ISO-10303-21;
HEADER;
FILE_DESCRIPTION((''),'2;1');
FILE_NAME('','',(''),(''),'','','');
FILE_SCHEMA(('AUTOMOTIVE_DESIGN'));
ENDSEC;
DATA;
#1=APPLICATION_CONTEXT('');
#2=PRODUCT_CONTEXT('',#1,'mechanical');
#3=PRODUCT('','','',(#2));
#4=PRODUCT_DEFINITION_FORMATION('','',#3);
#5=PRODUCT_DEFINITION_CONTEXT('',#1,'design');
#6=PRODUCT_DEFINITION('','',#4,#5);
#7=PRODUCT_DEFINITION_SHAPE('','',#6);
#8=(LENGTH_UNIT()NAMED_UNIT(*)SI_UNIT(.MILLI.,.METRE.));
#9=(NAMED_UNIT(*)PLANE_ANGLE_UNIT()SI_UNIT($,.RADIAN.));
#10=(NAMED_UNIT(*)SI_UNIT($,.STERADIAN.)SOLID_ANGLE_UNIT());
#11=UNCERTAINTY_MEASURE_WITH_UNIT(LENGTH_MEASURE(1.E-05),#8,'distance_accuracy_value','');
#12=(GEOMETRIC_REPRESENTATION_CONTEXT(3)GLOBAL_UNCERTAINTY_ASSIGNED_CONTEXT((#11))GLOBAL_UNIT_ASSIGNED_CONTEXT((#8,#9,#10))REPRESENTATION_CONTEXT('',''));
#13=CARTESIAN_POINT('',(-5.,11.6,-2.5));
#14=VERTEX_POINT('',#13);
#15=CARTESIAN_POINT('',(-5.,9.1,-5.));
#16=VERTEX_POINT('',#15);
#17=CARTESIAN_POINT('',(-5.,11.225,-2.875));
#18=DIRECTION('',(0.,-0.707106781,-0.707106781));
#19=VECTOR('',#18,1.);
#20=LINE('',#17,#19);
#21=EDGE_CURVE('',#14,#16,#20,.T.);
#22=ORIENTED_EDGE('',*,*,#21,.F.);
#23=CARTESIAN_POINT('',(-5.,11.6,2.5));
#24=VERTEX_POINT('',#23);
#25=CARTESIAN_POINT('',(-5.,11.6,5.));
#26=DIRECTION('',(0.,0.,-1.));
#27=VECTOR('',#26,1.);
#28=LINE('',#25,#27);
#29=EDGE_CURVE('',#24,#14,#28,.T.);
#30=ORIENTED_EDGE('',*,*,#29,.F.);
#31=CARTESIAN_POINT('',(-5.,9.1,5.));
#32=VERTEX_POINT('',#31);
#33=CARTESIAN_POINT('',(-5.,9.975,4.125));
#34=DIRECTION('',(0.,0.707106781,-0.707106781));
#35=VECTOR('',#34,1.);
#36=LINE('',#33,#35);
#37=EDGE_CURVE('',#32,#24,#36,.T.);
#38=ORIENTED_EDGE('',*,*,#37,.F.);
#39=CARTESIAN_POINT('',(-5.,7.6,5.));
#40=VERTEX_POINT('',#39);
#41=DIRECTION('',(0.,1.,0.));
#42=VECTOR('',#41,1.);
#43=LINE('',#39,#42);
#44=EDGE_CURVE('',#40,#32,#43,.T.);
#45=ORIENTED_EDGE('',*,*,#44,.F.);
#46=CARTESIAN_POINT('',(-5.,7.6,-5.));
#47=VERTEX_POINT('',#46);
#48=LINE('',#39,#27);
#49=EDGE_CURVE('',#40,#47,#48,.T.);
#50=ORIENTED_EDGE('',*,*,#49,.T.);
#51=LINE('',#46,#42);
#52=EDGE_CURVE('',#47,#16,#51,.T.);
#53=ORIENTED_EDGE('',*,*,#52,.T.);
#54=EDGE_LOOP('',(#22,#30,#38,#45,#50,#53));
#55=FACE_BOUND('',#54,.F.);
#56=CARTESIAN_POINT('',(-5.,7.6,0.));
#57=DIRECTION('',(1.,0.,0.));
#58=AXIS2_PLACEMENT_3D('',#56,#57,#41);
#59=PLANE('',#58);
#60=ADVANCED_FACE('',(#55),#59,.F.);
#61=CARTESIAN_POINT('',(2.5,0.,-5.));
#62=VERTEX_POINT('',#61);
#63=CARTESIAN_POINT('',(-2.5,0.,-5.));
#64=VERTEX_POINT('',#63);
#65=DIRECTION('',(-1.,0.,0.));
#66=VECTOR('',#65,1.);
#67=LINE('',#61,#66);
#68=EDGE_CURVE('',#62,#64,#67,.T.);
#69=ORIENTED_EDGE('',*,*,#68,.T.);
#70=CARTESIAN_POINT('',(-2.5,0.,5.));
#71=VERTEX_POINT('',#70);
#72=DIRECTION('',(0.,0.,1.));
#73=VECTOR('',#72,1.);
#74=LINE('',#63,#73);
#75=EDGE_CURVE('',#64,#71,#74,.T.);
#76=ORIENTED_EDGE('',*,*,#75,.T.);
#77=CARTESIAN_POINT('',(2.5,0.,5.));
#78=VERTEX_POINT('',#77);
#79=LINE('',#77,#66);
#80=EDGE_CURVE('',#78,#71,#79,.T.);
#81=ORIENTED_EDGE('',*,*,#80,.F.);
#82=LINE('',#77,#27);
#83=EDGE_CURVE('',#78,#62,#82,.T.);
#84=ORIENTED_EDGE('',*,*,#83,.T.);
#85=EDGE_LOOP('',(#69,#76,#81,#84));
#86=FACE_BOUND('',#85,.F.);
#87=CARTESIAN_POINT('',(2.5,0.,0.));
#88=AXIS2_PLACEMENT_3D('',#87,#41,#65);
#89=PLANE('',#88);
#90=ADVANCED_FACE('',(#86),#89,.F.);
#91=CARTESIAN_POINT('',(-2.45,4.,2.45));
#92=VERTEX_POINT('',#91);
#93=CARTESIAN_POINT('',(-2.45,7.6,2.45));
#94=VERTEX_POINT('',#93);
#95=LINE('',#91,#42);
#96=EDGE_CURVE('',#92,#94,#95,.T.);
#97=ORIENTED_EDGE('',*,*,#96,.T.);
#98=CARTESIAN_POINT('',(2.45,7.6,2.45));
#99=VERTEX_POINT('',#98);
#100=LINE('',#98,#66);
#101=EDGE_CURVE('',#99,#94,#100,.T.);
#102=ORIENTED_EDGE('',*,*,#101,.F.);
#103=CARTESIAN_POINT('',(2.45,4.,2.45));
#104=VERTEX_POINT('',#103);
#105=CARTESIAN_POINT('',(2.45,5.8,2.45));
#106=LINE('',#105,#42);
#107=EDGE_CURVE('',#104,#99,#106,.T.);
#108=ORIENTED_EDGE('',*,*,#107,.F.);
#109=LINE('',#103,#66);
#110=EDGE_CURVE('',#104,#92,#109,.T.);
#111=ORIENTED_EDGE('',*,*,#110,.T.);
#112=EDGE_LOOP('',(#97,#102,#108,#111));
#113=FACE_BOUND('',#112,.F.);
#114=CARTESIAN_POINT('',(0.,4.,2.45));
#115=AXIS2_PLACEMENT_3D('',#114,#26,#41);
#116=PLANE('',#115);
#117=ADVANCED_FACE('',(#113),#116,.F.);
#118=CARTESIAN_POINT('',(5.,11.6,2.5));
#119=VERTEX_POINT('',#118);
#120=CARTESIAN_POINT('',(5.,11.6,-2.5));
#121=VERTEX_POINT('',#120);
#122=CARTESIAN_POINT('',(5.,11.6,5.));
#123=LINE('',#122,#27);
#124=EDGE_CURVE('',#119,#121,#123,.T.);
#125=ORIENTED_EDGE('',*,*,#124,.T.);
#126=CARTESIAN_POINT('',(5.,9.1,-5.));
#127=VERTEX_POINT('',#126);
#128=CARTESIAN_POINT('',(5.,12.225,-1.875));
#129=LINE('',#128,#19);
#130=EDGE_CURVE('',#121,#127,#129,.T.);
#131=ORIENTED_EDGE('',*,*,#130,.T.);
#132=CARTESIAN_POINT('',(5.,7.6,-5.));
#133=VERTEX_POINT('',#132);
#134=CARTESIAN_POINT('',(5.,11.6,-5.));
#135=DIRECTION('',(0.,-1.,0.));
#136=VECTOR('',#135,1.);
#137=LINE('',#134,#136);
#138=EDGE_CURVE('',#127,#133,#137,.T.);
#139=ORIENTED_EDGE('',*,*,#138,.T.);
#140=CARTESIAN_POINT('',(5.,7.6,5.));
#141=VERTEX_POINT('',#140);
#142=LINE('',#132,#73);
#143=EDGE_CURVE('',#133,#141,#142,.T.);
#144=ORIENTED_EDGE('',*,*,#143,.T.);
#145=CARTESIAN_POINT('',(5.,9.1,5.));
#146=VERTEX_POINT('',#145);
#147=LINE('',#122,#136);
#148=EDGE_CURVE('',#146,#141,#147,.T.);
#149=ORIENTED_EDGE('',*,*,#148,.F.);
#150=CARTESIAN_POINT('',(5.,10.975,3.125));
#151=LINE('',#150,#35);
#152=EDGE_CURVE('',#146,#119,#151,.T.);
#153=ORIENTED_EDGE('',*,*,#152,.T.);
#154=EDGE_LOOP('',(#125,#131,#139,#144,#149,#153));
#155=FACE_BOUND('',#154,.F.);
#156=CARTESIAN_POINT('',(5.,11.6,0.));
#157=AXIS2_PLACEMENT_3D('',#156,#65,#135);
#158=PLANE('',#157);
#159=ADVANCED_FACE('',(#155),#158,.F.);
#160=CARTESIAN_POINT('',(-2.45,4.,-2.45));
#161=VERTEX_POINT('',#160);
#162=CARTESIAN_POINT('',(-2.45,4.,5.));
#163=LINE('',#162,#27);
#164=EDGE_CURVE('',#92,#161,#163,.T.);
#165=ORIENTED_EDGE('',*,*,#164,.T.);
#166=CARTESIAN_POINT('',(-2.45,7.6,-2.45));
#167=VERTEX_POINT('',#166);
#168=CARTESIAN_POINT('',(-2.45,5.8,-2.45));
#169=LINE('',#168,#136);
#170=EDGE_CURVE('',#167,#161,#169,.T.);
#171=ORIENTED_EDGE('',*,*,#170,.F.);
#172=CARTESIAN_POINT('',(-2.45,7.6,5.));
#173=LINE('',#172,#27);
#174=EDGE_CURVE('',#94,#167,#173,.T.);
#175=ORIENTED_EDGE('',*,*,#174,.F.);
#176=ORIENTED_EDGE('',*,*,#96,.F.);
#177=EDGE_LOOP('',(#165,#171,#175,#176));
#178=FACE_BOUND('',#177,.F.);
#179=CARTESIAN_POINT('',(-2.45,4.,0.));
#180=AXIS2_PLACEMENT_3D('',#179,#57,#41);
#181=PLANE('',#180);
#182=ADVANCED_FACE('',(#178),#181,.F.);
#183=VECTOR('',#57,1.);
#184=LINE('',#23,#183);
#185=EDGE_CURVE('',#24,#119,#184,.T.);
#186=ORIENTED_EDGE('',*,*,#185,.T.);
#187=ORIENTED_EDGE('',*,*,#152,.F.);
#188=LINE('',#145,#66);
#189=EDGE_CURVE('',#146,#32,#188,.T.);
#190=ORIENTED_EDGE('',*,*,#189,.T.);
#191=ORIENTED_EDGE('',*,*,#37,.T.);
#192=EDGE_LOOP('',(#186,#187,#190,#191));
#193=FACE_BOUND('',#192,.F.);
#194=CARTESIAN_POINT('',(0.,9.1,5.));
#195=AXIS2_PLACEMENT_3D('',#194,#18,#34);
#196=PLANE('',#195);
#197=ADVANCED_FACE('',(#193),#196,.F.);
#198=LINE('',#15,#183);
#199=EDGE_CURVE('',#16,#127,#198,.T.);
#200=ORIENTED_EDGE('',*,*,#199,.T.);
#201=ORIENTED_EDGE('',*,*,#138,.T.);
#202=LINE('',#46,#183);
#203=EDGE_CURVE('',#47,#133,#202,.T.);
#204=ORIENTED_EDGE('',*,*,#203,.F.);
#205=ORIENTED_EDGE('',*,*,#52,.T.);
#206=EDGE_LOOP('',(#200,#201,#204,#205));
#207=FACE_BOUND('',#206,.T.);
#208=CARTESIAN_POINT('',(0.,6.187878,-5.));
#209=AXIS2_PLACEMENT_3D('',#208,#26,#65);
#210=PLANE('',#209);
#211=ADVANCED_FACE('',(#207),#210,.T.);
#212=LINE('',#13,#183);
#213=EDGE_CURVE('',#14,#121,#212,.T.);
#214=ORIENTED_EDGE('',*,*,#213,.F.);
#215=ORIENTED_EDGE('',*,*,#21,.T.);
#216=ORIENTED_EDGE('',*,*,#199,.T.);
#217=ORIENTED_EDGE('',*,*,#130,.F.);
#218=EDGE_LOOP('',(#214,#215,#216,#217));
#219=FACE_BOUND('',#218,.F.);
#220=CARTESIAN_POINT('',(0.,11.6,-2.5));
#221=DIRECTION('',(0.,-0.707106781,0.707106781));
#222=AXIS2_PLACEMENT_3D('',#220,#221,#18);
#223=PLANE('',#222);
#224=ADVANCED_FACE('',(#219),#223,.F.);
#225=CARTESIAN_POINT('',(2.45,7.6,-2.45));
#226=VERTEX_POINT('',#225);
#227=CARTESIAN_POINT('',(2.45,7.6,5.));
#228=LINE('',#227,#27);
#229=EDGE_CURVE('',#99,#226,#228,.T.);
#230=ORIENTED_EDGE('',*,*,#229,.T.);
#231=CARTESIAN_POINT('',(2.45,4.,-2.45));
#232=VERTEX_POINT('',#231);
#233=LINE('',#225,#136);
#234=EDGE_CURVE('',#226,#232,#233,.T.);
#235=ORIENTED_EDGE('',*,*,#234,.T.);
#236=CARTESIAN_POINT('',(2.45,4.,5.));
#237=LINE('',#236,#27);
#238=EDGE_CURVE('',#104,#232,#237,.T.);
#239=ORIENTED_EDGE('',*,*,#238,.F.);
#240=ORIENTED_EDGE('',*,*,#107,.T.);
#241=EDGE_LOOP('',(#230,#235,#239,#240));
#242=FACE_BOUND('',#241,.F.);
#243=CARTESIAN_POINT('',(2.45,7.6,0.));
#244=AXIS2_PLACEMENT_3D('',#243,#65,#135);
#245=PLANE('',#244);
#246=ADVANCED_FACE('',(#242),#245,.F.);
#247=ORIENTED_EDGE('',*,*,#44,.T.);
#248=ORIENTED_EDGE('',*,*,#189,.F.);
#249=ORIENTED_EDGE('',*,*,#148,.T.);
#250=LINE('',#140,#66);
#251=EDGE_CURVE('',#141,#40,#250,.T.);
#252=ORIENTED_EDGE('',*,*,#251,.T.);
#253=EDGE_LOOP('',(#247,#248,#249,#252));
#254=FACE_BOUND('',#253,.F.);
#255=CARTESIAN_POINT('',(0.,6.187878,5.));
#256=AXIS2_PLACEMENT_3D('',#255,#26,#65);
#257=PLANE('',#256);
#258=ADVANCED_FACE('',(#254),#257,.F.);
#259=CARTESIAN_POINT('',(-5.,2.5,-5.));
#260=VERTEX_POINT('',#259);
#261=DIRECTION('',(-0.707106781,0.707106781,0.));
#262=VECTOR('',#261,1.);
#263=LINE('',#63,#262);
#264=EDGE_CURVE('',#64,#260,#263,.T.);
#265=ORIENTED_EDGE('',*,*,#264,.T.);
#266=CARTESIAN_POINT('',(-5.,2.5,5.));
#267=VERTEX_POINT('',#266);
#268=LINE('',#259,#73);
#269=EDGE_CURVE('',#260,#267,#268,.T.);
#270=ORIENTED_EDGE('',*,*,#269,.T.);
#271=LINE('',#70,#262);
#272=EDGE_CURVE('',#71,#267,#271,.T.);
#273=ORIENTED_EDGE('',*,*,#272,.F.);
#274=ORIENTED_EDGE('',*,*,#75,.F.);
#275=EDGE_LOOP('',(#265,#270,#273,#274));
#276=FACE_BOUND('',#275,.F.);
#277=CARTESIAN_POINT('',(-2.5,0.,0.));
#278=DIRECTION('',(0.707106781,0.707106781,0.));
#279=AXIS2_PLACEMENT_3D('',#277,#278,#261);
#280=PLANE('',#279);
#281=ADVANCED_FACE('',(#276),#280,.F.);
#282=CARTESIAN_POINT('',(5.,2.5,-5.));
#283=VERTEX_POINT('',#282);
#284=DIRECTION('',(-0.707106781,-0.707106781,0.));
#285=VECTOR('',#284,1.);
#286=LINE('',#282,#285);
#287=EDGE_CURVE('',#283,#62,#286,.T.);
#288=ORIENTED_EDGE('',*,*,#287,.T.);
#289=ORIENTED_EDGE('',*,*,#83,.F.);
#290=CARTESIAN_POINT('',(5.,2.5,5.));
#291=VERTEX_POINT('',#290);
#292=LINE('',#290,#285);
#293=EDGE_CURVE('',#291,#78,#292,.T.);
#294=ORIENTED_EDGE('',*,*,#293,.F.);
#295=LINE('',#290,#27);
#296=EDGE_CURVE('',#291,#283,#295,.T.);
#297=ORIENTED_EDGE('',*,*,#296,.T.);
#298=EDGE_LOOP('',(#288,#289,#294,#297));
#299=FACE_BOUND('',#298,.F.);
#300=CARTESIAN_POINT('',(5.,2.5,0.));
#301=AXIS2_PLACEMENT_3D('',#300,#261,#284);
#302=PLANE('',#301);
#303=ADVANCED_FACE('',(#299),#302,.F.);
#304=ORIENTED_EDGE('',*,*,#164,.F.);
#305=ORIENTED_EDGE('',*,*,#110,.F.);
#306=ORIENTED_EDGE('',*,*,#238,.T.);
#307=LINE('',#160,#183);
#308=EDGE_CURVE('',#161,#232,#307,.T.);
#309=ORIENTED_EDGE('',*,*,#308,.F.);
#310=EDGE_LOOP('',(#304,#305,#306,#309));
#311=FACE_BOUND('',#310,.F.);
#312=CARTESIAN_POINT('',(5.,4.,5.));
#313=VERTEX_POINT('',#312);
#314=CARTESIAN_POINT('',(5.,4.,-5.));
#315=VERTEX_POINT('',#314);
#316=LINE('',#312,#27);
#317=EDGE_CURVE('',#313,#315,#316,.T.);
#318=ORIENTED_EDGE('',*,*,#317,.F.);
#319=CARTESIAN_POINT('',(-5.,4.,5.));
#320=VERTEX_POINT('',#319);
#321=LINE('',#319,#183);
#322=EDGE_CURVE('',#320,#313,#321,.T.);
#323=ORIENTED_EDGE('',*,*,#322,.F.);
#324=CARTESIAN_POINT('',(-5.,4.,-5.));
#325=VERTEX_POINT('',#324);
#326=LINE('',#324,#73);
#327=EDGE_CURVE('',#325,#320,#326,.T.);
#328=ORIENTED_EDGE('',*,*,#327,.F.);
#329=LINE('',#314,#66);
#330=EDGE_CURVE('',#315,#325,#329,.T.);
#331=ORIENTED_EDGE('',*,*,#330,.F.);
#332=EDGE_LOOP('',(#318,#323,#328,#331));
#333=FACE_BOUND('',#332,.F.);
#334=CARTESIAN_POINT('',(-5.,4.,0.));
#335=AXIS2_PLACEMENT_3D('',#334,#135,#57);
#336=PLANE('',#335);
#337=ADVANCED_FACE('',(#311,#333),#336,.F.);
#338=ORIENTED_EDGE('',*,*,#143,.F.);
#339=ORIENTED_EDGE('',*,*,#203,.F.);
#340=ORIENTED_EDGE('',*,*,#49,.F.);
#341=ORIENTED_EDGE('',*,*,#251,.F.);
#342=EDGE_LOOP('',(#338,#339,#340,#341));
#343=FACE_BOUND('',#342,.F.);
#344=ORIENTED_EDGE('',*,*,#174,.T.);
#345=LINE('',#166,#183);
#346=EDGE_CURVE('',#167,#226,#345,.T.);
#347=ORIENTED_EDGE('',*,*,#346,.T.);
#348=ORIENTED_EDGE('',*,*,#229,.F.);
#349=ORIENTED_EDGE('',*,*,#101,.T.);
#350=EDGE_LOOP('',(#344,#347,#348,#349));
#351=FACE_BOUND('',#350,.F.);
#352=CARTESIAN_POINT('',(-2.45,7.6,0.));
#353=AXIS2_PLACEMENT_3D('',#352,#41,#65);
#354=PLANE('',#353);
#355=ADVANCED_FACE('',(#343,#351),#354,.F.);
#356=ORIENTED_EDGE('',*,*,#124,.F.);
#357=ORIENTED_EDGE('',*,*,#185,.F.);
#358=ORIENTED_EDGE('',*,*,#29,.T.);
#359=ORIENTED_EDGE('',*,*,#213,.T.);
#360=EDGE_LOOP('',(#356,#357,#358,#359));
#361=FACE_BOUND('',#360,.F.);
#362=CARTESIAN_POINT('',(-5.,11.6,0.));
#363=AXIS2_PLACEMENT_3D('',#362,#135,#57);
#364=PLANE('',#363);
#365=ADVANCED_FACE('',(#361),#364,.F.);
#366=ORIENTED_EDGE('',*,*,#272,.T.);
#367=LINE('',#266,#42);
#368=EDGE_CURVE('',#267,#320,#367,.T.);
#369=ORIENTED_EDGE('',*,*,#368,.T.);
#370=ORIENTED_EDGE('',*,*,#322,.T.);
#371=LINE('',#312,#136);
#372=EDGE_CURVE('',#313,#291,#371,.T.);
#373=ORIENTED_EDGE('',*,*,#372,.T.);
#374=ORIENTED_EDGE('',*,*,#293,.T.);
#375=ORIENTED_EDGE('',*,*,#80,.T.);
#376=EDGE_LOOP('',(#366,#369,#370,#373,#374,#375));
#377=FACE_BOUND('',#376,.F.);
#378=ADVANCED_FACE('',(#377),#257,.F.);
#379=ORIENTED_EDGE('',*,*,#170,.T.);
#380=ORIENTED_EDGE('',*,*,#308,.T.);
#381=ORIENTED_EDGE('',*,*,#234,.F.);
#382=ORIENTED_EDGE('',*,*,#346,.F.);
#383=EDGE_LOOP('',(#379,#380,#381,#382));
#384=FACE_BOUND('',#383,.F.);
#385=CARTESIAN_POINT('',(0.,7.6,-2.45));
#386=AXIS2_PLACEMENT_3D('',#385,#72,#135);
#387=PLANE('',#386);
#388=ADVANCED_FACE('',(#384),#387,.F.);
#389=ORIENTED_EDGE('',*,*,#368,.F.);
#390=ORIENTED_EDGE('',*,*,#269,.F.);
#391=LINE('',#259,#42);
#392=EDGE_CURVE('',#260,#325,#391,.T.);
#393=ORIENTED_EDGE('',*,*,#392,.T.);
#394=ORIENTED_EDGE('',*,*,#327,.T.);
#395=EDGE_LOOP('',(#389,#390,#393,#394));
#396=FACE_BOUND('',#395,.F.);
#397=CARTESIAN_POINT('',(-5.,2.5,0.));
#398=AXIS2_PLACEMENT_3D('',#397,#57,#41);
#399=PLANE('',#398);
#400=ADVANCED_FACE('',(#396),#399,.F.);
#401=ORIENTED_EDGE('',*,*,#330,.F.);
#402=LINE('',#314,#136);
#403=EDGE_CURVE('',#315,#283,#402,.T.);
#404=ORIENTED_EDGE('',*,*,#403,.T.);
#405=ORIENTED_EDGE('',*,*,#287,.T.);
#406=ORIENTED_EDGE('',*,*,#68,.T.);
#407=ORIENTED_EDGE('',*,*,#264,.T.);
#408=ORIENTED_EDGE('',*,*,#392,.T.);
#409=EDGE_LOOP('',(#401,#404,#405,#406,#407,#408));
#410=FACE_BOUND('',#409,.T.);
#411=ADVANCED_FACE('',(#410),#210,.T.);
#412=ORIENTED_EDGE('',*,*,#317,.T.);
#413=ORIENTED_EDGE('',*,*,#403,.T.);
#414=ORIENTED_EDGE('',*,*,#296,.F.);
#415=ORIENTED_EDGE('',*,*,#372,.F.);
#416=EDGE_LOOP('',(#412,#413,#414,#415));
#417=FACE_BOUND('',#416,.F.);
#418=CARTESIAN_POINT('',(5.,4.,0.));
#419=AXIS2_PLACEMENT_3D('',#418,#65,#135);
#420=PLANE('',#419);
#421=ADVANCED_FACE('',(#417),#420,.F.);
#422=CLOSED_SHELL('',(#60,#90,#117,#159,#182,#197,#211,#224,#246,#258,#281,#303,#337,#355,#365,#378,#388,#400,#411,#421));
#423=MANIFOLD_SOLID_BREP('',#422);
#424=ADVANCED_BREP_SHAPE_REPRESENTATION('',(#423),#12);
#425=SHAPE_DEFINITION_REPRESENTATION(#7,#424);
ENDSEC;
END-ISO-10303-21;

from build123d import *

# Parameters (mm, degrees)
PAD_DEPTH         = 5
POCKET_DEPTH      = 5.001
POCKET_DEPTH_BACK = -5.001


with BuildPart() as part:
    # Sketch → Pad (new body, symmetric)
    with BuildSketch(Plane.XY):
        Polygon((-5, 4), (-2.45, 4), (-2.45, 7.6), (-5, 7.6), (-5, 11.6), (5, 11.6), (5, 7.6), (2.45, 7.6), (2.45, 4), (5, 4), (5, 2.5), (2.5, 0), (-2.5, 0), (-5, 2.5), align=None)
    extrude(amount=PAD_DEPTH, both=True)

    # Sketch001 → Pocket (cut, two sides)
    with BuildSketch(Plane.YZ) as pocket_sk:
        Polygon((11.6, 2.5), (11.6, -2.5), (9.1, -5), (7.6, -5), (7.6, -2.45), (4, -2.45), (4, -6.892367), (13.16095, -6.892367), (13.16095, 6.892367), (4, 6.892367), (4, 2.45), (7.6, 2.45), (7.6, 5), (9.1, 5), align=None)
    extrude(amount=-POCKET_DEPTH, mode=Mode.SUBTRACT)
    extrude(pocket_sk.sketch, amount=-POCKET_DEPTH_BACK, mode=Mode.SUBTRACT)


solid = part.part
